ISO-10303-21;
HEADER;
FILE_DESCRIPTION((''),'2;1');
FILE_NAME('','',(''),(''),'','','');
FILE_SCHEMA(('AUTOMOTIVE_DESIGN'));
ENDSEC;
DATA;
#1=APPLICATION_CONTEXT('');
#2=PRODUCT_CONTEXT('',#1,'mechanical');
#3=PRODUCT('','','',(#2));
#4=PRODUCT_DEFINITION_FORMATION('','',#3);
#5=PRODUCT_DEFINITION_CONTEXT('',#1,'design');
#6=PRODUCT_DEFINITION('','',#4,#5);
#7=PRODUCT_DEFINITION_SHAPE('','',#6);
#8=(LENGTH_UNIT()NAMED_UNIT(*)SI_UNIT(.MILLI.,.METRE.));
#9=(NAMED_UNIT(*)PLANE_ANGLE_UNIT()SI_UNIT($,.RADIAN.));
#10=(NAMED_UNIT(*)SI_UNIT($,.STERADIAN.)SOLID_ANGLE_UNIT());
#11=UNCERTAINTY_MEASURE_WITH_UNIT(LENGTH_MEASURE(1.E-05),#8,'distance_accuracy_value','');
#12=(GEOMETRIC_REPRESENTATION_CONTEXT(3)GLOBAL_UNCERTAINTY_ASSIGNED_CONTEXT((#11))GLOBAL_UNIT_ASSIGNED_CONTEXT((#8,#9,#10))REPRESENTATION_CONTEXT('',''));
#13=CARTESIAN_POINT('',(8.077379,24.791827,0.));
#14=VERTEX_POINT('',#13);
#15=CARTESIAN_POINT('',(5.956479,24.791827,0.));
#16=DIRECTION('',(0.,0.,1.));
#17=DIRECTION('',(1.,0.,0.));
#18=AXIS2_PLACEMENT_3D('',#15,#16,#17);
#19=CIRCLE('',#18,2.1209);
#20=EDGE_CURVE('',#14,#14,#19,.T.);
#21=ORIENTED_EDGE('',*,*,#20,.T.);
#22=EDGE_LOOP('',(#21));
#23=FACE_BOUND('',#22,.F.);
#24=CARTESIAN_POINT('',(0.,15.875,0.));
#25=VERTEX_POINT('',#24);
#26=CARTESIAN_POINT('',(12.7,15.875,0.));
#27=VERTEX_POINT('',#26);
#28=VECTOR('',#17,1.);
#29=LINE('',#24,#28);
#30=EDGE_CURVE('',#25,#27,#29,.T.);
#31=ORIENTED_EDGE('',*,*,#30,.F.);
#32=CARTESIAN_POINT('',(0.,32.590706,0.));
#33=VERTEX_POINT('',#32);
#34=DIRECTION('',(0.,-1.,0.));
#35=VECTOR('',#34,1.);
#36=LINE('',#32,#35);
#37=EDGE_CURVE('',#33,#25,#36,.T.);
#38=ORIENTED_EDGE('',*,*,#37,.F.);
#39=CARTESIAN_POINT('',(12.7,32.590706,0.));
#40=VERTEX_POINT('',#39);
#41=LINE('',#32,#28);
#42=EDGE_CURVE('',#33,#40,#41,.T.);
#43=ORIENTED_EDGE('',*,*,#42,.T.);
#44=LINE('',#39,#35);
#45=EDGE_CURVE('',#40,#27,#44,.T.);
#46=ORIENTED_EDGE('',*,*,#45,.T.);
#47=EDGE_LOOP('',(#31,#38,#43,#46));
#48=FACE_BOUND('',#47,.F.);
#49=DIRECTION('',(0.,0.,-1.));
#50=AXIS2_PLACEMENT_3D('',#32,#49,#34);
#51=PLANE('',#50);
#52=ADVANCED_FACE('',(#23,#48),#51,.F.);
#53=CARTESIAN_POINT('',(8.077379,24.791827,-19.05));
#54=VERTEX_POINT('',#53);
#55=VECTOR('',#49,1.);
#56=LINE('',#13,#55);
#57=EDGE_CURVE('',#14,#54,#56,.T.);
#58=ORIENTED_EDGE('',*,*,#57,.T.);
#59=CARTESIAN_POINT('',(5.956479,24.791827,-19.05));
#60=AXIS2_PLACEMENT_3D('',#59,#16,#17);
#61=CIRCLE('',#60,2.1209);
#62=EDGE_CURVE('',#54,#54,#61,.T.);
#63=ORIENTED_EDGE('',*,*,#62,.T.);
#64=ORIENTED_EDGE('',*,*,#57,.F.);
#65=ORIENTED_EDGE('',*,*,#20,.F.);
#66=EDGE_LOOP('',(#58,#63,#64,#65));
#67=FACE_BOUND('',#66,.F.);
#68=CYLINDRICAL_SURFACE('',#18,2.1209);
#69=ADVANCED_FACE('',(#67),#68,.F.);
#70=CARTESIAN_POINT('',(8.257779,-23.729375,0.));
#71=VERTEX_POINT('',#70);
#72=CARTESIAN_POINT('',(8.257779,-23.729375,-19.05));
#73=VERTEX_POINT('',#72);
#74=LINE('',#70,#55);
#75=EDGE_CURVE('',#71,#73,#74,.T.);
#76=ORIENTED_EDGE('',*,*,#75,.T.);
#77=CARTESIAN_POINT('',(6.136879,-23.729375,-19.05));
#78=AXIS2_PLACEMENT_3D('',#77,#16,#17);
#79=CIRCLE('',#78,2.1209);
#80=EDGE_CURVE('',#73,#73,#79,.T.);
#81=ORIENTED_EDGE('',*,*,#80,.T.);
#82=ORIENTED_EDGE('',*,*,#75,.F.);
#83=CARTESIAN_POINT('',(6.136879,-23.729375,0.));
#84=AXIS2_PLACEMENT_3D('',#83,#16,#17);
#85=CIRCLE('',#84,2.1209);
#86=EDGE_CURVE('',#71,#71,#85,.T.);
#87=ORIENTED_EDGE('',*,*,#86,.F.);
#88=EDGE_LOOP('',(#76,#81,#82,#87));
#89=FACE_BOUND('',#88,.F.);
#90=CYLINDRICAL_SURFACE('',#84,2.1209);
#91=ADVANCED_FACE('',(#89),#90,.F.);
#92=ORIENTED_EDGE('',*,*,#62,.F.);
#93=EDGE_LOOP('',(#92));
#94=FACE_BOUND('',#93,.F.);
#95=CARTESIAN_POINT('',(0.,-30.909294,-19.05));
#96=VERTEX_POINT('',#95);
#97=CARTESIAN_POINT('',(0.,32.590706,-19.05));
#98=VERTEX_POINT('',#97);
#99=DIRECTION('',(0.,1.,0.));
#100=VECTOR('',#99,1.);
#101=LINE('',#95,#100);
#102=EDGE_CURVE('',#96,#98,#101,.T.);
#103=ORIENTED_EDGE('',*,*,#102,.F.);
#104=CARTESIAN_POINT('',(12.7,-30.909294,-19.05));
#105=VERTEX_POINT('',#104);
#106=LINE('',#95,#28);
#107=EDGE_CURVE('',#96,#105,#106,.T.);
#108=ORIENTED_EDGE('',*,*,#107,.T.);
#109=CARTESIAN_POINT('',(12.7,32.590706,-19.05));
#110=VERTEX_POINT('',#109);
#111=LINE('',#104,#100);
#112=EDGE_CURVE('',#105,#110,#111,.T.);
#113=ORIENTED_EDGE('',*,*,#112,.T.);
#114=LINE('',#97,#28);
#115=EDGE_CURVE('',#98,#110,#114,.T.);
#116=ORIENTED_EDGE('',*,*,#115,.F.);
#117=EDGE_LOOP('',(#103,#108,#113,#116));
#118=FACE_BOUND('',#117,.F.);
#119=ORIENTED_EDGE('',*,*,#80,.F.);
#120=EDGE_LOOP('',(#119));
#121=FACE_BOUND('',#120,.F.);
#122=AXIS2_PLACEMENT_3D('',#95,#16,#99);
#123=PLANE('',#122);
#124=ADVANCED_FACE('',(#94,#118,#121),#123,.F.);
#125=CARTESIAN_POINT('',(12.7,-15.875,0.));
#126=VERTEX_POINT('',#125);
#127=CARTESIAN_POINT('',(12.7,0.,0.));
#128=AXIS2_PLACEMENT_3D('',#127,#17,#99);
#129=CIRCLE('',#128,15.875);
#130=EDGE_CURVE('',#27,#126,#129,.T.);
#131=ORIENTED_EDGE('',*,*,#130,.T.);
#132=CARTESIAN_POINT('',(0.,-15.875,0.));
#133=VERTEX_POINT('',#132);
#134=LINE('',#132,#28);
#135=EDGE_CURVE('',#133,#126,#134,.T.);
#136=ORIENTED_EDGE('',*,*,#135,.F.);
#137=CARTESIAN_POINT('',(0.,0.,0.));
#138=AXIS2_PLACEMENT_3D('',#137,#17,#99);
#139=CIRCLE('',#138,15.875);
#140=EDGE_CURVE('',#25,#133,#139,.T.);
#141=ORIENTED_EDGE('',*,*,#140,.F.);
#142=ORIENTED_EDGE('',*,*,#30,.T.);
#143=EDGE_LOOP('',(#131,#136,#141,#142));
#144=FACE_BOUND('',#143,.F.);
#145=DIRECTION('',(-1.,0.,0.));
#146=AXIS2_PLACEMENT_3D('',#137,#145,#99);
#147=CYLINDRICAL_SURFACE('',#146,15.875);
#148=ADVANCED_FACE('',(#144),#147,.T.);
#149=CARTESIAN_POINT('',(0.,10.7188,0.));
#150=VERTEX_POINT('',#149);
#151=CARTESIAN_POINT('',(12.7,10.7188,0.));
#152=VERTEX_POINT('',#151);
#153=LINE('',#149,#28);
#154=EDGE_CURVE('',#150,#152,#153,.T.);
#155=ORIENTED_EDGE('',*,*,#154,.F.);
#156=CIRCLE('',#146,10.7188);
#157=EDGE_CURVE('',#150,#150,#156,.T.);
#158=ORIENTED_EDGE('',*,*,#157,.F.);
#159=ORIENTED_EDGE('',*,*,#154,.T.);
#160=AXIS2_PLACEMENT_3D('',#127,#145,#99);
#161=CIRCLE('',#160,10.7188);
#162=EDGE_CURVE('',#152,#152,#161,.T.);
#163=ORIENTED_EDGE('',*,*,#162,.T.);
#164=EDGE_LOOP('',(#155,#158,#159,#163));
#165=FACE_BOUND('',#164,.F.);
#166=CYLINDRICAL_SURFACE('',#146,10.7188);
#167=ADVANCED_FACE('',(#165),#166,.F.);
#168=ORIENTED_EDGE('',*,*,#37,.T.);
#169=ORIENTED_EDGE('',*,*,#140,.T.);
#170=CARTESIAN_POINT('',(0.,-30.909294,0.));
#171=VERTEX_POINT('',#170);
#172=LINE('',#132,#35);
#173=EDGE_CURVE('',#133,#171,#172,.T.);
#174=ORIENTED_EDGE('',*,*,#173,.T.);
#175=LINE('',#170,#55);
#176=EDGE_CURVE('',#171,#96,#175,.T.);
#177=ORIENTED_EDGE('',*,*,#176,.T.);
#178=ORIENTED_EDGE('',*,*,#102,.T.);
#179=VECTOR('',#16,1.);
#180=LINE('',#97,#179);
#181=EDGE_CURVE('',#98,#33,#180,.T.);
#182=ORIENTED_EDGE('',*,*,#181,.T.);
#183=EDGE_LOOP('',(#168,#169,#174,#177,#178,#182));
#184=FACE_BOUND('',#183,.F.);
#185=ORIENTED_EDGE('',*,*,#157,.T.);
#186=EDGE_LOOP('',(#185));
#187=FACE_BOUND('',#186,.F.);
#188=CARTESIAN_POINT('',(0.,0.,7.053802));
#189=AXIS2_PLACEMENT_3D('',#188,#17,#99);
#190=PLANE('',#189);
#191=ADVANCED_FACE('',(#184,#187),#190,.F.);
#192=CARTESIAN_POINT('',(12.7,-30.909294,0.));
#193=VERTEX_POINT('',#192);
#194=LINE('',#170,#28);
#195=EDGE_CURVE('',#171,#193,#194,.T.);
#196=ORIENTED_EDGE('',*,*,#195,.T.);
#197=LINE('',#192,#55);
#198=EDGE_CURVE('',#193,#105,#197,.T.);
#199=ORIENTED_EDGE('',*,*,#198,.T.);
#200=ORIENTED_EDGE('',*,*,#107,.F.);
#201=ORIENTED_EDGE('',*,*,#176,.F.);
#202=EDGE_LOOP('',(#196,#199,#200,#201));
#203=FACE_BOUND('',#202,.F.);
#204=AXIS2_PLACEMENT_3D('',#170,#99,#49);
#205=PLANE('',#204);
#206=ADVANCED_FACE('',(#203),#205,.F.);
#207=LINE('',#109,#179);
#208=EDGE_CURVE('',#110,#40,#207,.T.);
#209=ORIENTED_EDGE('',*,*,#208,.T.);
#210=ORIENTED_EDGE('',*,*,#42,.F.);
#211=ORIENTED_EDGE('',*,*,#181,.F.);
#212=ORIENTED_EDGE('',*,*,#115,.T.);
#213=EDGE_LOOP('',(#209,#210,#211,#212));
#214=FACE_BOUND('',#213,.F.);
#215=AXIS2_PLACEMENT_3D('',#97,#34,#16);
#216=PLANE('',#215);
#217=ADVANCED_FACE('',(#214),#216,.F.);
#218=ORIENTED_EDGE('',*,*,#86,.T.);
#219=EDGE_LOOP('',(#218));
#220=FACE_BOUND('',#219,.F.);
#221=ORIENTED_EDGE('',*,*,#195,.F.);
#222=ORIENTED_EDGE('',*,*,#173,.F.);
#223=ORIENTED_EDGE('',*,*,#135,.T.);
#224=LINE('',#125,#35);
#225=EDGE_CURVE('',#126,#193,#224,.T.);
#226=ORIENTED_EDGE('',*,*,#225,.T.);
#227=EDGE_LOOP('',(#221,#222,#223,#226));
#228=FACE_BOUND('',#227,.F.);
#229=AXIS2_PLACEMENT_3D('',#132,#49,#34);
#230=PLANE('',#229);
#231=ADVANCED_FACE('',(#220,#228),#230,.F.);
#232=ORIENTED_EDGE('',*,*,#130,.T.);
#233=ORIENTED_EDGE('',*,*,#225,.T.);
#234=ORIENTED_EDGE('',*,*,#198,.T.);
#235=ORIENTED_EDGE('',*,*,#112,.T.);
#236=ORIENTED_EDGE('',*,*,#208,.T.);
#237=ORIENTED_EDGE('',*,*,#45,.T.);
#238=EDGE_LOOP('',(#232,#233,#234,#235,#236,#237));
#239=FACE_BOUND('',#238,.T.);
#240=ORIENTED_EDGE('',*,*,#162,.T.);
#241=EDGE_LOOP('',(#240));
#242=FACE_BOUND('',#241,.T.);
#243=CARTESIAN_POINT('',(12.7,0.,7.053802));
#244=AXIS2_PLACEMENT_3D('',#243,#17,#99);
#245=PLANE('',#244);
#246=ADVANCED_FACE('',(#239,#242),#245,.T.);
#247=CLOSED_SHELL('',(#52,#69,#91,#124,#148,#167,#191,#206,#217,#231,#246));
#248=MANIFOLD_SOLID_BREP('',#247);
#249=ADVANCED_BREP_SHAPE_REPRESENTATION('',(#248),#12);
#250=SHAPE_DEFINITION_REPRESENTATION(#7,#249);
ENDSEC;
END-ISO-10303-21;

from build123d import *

# Parameters (mm, degrees)
F1_DEPTH = 12.7
F2_R     = 2.1209
F3_DEPTH = 25.4
F4_R     = 2.1209
F5_DEPTH = 25.4


with BuildPart() as f1:
    # F0 (on Right) → F1 (new body)
    with BuildSketch(Plane.YZ):
        with BuildLine():
            Line((10.7188, 0), (15.875, 0))
            ThreePointArc((15.875, 0), (0, 15.875), (-15.875, 0))
            Line((-15.875, 0), (-10.7188, 0))
            ThreePointArc((-10.7188, 0), (0, 10.7188), (10.7188, 0))
        make_face()
        with BuildLine():
            Line((32.5907057375, 0), (15.875, 0))
            ThreePointArc((15.875, 0), (0, -15.875), (-15.875, 0))
            Line((-15.875, 0), (-30.9092942625, 0))
            Line((-30.9092942625, 0), (-30.9092942625, -19.05))
            Line((-30.9092942625, -19.05), (32.5907057375, -19.05))
            Line((32.5907057375, -19.05), (32.5907057375, 0))
        make_face()
        with BuildLine():
            ThreePointArc((-15.875, 0), (0, -15.875), (15.875, 0))
            Line((15.875, 0), (10.7188, 0))
            ThreePointArc((10.7188, 0), (0, -10.7188), (-10.7188, 0))
            Line((-10.7188, 0), (-15.875, 0))
        make_face()
    extrude(amount=F1_DEPTH)

    # F2 (on face) → F3 (cut)
    with BuildSketch(Plane.XY):
        with Locations((5.9564788826, 24.7918274254)):
            Circle(F2_R)
    extrude(amount=-F3_DEPTH, mode=Mode.SUBTRACT)

    # F4 (on face) → F5 (cut)
    with BuildSketch(Plane.XY):
        with Locations((6.1368788593, -23.7293746322)):
            Circle(F4_R)
    extrude(amount=-F5_DEPTH, mode=Mode.SUBTRACT)


solid = f1.part
